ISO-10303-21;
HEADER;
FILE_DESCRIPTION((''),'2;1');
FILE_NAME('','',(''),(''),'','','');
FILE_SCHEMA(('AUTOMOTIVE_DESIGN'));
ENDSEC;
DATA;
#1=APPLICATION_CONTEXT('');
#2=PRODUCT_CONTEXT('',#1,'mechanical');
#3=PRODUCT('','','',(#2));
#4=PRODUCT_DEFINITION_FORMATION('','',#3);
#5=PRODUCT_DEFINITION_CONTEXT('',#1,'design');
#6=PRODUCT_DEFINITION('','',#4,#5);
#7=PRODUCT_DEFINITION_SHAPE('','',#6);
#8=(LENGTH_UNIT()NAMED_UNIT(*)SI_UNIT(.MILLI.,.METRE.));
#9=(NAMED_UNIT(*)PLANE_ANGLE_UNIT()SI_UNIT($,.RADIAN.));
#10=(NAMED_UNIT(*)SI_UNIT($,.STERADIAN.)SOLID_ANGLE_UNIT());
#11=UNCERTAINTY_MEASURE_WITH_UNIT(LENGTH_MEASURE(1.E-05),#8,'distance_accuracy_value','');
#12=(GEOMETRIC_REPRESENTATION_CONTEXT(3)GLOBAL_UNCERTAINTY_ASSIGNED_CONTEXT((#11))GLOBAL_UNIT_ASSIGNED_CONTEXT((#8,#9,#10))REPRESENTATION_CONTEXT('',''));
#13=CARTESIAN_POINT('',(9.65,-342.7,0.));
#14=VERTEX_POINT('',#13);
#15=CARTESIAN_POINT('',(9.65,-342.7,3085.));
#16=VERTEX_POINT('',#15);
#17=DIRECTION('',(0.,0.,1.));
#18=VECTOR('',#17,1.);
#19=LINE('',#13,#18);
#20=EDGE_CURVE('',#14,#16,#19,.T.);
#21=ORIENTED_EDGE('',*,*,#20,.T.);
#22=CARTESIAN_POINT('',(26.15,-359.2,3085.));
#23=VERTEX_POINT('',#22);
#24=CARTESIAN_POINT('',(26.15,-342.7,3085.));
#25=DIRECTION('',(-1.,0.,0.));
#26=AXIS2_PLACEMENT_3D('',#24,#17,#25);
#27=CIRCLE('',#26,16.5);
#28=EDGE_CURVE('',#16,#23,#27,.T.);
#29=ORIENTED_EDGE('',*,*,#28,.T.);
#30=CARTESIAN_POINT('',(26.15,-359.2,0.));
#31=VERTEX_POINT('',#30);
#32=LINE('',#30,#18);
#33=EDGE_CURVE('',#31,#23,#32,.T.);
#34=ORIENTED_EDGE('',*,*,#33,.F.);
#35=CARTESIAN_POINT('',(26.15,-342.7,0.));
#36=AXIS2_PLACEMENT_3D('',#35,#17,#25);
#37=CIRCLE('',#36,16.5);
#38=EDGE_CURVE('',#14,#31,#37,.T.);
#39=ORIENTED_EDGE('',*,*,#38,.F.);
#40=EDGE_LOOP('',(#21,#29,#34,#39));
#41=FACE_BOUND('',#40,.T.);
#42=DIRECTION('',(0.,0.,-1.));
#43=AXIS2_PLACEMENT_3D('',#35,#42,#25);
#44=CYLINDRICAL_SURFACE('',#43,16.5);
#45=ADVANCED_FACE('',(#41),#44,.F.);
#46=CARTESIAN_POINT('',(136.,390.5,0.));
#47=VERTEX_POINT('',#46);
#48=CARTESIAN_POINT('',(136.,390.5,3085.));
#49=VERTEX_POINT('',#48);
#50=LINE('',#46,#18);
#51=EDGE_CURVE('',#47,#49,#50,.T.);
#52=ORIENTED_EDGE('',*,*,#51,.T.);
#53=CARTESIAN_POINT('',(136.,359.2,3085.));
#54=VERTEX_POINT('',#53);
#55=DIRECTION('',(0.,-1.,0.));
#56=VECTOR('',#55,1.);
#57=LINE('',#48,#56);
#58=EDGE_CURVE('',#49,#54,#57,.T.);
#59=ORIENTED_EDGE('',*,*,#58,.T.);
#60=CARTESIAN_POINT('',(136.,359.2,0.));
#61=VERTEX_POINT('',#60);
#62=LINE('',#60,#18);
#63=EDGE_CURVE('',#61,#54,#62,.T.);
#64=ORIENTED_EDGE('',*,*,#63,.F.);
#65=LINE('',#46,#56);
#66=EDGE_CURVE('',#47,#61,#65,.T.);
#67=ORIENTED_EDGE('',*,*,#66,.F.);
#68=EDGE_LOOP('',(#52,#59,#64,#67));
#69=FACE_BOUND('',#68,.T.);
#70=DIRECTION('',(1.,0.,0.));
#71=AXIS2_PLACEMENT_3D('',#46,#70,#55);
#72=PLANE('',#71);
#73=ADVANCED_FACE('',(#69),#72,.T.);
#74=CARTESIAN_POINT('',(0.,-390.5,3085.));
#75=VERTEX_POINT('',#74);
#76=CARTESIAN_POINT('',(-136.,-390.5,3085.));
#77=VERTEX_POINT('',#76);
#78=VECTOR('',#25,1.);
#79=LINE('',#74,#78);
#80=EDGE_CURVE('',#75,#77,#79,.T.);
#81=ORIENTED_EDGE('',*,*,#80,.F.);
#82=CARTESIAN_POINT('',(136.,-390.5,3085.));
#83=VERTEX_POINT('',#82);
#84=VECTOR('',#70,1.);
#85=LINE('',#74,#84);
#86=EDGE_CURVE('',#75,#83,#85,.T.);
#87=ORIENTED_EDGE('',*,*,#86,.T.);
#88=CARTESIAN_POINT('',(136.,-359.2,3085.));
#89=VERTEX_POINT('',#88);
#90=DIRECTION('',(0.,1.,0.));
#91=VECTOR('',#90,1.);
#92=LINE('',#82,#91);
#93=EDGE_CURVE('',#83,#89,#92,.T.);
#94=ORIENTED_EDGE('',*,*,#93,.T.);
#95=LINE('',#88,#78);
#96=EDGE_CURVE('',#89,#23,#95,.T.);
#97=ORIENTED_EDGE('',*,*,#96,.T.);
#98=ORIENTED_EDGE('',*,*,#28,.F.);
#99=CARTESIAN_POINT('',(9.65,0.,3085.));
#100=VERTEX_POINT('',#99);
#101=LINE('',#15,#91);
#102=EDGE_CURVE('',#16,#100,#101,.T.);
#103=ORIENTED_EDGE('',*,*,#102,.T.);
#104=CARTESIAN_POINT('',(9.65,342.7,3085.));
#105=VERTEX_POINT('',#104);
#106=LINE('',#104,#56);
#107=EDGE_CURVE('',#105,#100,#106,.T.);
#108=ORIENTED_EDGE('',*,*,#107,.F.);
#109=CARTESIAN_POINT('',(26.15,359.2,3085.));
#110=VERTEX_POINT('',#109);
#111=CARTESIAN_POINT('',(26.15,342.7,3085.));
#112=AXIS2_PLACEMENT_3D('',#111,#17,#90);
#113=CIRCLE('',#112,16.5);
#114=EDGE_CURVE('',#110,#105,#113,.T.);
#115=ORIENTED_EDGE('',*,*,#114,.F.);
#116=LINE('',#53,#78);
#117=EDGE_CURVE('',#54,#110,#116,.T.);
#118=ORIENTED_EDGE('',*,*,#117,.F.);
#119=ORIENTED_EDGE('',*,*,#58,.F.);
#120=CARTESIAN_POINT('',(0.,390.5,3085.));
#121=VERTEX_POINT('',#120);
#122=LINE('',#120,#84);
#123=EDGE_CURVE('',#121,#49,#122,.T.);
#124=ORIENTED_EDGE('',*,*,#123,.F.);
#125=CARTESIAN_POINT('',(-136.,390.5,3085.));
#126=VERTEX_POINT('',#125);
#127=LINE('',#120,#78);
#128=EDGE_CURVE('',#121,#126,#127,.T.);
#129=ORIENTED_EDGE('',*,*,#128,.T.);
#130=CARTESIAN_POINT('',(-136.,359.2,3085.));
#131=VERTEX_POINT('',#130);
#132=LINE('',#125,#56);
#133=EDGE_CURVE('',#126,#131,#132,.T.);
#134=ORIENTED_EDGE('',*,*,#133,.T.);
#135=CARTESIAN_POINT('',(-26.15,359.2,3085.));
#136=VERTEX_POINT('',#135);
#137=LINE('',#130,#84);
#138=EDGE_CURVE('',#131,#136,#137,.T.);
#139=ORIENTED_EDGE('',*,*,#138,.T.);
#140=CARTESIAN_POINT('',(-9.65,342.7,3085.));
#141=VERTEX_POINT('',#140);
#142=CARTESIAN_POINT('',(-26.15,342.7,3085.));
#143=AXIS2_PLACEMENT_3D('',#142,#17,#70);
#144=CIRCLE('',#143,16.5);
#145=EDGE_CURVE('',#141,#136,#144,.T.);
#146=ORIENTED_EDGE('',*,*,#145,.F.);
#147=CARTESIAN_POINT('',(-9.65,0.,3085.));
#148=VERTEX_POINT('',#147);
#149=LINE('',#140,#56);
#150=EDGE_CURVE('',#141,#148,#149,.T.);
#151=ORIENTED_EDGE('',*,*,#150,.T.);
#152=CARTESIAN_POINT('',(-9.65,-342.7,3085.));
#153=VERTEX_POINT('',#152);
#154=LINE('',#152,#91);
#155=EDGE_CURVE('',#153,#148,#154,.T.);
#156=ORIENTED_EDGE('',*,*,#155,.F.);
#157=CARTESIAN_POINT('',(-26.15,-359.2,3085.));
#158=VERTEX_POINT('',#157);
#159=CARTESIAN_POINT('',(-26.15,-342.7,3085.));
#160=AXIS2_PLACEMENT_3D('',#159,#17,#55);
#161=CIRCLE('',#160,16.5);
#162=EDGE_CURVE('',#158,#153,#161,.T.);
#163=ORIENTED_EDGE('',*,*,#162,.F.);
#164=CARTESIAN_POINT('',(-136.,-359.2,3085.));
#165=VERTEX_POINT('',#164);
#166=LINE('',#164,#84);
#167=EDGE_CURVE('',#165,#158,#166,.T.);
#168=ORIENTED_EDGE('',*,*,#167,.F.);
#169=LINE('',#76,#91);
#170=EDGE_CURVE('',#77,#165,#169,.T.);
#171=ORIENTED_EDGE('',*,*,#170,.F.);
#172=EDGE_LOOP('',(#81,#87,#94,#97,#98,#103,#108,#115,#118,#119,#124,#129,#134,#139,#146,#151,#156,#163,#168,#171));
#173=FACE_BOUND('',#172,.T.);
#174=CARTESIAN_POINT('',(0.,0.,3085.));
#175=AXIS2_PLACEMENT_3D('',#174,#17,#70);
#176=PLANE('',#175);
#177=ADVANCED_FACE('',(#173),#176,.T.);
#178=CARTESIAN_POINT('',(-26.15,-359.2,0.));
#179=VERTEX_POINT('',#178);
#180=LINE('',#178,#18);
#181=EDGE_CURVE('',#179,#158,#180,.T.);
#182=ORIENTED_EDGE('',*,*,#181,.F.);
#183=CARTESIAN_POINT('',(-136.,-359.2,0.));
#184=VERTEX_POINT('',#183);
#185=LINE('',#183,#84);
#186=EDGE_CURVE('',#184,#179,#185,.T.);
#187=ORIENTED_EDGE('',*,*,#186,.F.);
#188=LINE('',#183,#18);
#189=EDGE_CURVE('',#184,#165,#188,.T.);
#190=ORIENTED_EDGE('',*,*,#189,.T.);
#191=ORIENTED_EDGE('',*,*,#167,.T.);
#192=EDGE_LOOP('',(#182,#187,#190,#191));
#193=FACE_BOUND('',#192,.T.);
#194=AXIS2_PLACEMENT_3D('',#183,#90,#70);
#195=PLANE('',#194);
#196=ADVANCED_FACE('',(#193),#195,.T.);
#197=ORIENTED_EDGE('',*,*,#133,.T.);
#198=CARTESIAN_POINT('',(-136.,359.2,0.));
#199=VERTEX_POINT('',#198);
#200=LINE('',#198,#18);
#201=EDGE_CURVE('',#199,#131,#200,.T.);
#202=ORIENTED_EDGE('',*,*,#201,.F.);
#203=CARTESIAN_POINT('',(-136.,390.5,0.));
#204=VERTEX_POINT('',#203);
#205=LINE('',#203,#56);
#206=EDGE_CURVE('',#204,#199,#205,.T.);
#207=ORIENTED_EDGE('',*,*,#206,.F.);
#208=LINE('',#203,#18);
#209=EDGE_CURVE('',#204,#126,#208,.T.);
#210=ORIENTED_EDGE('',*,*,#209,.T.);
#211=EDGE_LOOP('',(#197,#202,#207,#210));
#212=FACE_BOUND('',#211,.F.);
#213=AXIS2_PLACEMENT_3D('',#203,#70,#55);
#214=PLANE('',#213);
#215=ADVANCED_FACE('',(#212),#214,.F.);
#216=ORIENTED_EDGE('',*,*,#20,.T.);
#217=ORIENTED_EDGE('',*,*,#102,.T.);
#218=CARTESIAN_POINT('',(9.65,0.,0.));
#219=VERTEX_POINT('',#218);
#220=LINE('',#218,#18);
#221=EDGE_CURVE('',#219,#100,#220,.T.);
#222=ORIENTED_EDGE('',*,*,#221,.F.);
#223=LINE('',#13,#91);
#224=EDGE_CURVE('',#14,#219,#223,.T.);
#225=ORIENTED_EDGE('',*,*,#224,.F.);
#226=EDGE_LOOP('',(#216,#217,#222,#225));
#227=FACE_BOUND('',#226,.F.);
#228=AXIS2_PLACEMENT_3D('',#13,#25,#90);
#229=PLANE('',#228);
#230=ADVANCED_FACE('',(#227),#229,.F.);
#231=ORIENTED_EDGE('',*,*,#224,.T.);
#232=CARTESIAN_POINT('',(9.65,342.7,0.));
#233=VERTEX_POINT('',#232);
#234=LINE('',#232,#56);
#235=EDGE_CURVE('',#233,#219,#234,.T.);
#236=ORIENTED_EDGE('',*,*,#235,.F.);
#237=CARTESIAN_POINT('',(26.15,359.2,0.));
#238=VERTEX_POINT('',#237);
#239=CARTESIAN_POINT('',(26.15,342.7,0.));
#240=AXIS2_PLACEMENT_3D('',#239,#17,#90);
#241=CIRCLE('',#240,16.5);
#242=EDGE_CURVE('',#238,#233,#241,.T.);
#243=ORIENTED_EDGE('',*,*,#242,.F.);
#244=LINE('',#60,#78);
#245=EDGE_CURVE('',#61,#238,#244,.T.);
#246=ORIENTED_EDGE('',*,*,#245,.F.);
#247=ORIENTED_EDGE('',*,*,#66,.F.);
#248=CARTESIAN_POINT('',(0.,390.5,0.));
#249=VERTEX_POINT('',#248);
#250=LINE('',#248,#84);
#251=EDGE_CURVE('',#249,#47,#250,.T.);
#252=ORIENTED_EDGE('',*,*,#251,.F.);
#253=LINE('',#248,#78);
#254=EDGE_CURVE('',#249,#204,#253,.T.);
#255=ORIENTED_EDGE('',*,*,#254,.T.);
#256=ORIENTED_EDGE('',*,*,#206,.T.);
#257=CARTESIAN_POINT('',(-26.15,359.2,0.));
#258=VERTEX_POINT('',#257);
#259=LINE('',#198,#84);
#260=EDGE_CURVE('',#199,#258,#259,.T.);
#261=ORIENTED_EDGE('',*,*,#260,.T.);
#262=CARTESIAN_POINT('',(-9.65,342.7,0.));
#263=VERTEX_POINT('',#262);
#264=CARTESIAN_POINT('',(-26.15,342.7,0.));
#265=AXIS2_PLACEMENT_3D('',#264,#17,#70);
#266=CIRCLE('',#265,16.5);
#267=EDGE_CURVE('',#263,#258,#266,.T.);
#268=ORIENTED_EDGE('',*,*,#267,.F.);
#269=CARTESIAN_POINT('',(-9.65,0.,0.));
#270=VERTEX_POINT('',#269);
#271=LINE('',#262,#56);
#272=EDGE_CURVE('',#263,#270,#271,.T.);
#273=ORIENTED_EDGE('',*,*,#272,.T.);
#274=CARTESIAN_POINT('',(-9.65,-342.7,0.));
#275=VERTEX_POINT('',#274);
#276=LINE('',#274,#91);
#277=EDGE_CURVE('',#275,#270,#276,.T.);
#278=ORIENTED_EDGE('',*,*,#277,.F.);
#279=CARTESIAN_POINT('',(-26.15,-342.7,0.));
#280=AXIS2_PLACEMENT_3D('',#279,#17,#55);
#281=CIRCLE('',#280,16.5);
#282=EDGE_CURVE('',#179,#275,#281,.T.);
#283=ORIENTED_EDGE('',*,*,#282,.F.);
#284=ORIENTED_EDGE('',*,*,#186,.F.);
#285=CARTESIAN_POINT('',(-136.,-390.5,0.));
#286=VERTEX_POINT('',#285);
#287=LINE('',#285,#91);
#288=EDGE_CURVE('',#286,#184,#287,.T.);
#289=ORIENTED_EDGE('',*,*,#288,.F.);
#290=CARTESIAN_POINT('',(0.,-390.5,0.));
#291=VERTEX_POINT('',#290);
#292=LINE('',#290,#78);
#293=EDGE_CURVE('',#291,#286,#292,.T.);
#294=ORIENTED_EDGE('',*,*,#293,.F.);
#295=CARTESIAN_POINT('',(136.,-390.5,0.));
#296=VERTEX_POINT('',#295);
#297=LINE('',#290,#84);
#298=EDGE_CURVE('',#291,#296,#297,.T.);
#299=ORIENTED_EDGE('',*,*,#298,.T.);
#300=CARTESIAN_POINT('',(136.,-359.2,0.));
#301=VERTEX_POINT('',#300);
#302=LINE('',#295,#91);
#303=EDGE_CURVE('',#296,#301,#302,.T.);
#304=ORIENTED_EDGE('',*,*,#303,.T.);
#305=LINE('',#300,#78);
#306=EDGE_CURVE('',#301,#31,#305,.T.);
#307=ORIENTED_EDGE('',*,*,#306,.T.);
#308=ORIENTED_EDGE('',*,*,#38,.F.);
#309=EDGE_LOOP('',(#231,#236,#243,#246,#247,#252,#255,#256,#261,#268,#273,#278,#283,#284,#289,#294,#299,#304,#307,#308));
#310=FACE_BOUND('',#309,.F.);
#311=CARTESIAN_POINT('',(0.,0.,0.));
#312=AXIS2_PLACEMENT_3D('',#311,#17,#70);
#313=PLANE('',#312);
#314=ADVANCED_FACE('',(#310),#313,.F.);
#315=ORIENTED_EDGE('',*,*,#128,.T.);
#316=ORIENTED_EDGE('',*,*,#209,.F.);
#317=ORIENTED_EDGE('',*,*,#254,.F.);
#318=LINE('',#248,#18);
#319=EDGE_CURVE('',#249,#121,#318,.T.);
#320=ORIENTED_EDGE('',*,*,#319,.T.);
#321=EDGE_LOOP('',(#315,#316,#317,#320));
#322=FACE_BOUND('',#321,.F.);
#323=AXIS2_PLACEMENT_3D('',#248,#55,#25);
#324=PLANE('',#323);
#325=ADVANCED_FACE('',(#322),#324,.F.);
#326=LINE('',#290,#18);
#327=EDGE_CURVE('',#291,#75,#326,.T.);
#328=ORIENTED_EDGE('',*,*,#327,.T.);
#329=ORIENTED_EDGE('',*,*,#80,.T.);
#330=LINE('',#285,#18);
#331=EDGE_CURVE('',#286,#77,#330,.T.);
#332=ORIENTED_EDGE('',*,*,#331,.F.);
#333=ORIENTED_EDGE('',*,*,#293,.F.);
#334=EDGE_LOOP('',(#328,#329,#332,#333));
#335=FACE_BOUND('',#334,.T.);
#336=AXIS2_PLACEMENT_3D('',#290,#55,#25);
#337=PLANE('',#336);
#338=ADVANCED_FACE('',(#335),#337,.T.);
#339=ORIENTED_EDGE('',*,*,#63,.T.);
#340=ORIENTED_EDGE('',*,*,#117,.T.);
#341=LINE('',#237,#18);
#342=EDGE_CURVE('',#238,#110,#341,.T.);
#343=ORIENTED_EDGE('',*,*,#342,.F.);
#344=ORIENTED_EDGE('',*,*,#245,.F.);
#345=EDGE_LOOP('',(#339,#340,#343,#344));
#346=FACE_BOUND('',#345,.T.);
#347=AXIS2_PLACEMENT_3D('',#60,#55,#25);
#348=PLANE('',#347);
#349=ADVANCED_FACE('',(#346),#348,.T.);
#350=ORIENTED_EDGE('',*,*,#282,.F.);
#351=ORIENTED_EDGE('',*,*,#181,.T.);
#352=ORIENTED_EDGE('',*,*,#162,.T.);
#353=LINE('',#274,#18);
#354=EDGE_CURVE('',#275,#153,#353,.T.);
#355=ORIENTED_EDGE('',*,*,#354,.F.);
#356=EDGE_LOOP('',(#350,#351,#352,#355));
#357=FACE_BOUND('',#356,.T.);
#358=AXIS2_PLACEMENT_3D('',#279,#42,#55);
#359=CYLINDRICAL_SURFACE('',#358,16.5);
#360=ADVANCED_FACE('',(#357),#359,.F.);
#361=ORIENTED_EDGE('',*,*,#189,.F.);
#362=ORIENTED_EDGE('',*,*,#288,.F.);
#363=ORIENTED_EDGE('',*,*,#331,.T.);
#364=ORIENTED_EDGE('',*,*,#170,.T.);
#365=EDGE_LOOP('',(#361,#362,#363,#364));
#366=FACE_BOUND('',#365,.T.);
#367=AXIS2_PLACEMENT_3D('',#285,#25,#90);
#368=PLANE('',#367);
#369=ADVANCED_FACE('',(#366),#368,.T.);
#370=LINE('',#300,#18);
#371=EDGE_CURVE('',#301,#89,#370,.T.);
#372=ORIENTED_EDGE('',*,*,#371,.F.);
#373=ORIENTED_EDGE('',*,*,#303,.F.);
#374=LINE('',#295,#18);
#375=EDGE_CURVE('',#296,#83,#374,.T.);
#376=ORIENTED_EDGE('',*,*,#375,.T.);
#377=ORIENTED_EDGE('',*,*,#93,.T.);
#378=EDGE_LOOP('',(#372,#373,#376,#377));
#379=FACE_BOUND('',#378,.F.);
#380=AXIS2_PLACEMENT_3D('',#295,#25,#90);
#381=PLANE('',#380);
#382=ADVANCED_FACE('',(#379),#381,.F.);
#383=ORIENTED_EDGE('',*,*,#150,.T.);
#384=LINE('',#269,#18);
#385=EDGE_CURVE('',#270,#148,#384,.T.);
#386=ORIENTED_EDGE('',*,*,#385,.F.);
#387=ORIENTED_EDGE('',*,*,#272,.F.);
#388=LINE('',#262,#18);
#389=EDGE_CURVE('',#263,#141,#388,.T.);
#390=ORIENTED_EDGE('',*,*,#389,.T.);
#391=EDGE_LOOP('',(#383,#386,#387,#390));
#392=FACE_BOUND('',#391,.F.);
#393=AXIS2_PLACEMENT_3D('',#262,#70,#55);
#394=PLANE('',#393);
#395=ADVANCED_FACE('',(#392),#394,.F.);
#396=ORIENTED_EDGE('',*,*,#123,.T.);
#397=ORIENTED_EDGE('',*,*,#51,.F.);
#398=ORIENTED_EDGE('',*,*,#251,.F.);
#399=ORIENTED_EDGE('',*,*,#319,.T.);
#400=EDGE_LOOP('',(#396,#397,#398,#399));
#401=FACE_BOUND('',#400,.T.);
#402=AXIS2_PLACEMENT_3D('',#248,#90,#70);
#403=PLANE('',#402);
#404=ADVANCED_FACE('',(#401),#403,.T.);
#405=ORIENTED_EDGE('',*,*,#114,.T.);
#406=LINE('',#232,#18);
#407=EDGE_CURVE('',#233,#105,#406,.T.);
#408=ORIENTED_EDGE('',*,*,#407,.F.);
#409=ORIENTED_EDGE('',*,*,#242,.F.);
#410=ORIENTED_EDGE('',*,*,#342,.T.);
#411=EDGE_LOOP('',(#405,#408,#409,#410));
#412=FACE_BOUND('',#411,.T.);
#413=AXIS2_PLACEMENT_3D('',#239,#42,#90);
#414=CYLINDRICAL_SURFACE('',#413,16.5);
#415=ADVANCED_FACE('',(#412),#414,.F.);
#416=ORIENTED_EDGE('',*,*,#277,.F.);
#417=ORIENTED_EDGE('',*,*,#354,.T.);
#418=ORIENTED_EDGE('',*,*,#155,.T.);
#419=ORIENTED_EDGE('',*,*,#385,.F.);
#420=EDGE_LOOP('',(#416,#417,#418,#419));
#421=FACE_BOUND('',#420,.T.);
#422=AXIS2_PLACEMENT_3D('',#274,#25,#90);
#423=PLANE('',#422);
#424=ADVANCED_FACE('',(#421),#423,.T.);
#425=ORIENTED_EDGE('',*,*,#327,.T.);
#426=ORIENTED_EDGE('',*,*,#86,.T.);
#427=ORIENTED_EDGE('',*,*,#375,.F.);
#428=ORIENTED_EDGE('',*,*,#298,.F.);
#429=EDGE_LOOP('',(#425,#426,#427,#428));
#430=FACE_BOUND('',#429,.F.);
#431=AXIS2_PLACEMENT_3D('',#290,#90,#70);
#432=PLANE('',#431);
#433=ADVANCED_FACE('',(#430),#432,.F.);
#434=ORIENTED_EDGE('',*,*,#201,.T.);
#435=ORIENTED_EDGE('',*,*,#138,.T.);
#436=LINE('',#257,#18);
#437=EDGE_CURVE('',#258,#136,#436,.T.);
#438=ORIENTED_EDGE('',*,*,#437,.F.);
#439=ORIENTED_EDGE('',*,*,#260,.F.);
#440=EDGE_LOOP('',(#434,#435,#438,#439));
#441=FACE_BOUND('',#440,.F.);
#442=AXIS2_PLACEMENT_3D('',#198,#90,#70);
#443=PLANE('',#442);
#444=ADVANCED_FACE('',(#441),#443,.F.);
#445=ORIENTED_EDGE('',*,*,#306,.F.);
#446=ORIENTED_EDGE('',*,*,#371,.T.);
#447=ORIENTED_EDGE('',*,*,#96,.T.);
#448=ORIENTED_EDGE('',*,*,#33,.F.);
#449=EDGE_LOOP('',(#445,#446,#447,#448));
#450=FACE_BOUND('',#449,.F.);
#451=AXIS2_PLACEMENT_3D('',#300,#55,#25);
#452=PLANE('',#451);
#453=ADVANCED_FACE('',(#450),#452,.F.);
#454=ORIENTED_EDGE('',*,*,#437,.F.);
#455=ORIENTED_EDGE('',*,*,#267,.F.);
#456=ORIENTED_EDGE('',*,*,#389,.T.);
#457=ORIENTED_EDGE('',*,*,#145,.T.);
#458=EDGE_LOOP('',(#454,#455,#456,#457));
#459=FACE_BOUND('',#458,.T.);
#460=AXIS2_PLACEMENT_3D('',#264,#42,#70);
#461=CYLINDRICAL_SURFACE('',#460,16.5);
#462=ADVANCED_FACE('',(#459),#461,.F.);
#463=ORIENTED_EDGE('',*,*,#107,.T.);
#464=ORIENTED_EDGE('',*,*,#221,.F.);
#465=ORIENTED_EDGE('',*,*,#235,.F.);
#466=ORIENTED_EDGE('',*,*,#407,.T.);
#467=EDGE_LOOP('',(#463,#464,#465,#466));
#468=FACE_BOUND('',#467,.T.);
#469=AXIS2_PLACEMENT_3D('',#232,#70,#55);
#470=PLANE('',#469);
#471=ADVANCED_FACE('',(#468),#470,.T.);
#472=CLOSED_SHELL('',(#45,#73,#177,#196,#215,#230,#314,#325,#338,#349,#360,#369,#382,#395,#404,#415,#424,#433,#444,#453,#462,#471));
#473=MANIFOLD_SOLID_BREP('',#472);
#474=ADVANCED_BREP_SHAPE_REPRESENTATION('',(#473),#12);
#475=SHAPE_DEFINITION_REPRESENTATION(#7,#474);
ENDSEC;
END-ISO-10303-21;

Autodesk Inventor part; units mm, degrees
ref_plane "YZ Plane" through (0, 0, 0) normal (1, 0, 0) x (0, 1, 0)
ref_plane "Start plane" through (0, 0, 0) normal (0, 0, 1) x (1, 0, 0)
ref_plane "End plane" through (0, 0, 3085) normal (0, 0, 1) x (1, 0, 0)
sketch "Sketch" plane through (0, 0, 0) normal (0, 0, 1) x (1, 0, 0)
  line L0 (-136, -390.5) -> (-136, -359.2)
  line L1 (-136, -359.2) -> (-26.15, -359.2)
  line L2 (-9.65, -342.7) -> (-9.65, 0)
  line L3 (-9.65, 0) -> (0, 0) construction
  line L4 (0, 0) -> (0, -390.5) construction
  line L5 (0, -390.5) -> (-136, -390.5)
  line L6 (-60, 0) -> (80, 0) construction
  line L7 (0, -60) -> (0, 80) construction
  line L8 (136, -390.5) -> (136, -359.2)
  line L9 (136, -359.2) -> (26.15, -359.2)
  line L10 (9.65, -342.7) -> (9.65, 0)
  line L11 (9.65, 0) -> (0, 0) construction
  line L12 (0, -390.5) -> (136, -390.5)
  line L13 (-136, 390.5) -> (-136, 359.2)
  line L14 (-136, 359.2) -> (-26.15, 359.2)
  line L15 (-9.65, 342.7) -> (-9.65, 0)
  line L16 (0, 390.5) -> (-136, 390.5)
  line L17 (136, 390.5) -> (136, 359.2)
  line L18 (136, 359.2) -> (26.15, 359.2)
  line L19 (0, 390.5) -> (136, 390.5)
  line L20 (9.65, 342.7) -> (9.65, 0)
  arc A0 (-9.65, 342.7) -> (-26.15, 359.2) centre (-26.15, 342.7) ccw
  arc A1 (26.15, 359.2) -> (9.65, 342.7) centre (26.15, 342.7) ccw
  arc A2 (9.65, -342.7) -> (26.15, -359.2) centre (26.15, -342.7) ccw
  arc A3 (-26.15, -359.2) -> (-9.65, -342.7) centre (-26.15, -342.7) ccw
  line L21 (0, 108) -> (0, -88) construction
  line L22 (-88, 0) -> (108, 0) construction
  point P0 (-9.65, -359.2)
  point P1 (9.65, -359.2)
  point P2 (-9.65, 359.2)
  point P3 (9.65, 359.2)
  dimension "d1" = 390.5
  dimension "d2" = 31.3
  dimension "d3" = 136
  dimension "d4" = 9.65
  dimension "d10" = 16.5
extrude "Body" add sketch "Sketch" along normal up to surface (3085 mm away) from surface at 0
sketch "Sketch4" plane through (0, 0, 0) normal (0, 0, 1) x (1, 0, 0)
  line L0 (0, 0) -> (10, 0)
ref_plane "Work Plane3" through (0, 0, 0) normal (0, -1, 0) x (1, 0, 0)
sketch "Sketch5" plane through (0, 0, 0) normal (0, -1, 0) x (1, 0, 0)
  line L0 (-2, 0) -> (12, 0) projected
  line L1 (-2, 3085) -> (12, 3085) projected
  dimension "d14" = 3085
equation "\"d1\" = 0.5 * G_H"
equation "\"d2\" = G_T1"
equation "\"d3\" = 0.5 * G_W"
equation "\"d4\" = 0.5 * G_T"
equation "\"d10\" = G_IR"
equation "\"d5\" = G_L"
equation "\"G_W\" = 272"
equation "\"G_H\" = 781"
equation "\"G_T\" = 19.3"
equation "\"G_T1\" = 31.3"
equation "\"G_IR\" = 16.5"
equation "\"G_L\" = d14"
equation "\"G_OFFSET_START\" = 0"
equation "\"G_OFFSET_END\" = 0"
equation "\"d12\" = G_OFFSET_END + B_L"
equation "\"B_L\" = 3085"
properties part number "AS 3679-1990 - 760 UB - 244 - 3085" material "Steel, Mild"
